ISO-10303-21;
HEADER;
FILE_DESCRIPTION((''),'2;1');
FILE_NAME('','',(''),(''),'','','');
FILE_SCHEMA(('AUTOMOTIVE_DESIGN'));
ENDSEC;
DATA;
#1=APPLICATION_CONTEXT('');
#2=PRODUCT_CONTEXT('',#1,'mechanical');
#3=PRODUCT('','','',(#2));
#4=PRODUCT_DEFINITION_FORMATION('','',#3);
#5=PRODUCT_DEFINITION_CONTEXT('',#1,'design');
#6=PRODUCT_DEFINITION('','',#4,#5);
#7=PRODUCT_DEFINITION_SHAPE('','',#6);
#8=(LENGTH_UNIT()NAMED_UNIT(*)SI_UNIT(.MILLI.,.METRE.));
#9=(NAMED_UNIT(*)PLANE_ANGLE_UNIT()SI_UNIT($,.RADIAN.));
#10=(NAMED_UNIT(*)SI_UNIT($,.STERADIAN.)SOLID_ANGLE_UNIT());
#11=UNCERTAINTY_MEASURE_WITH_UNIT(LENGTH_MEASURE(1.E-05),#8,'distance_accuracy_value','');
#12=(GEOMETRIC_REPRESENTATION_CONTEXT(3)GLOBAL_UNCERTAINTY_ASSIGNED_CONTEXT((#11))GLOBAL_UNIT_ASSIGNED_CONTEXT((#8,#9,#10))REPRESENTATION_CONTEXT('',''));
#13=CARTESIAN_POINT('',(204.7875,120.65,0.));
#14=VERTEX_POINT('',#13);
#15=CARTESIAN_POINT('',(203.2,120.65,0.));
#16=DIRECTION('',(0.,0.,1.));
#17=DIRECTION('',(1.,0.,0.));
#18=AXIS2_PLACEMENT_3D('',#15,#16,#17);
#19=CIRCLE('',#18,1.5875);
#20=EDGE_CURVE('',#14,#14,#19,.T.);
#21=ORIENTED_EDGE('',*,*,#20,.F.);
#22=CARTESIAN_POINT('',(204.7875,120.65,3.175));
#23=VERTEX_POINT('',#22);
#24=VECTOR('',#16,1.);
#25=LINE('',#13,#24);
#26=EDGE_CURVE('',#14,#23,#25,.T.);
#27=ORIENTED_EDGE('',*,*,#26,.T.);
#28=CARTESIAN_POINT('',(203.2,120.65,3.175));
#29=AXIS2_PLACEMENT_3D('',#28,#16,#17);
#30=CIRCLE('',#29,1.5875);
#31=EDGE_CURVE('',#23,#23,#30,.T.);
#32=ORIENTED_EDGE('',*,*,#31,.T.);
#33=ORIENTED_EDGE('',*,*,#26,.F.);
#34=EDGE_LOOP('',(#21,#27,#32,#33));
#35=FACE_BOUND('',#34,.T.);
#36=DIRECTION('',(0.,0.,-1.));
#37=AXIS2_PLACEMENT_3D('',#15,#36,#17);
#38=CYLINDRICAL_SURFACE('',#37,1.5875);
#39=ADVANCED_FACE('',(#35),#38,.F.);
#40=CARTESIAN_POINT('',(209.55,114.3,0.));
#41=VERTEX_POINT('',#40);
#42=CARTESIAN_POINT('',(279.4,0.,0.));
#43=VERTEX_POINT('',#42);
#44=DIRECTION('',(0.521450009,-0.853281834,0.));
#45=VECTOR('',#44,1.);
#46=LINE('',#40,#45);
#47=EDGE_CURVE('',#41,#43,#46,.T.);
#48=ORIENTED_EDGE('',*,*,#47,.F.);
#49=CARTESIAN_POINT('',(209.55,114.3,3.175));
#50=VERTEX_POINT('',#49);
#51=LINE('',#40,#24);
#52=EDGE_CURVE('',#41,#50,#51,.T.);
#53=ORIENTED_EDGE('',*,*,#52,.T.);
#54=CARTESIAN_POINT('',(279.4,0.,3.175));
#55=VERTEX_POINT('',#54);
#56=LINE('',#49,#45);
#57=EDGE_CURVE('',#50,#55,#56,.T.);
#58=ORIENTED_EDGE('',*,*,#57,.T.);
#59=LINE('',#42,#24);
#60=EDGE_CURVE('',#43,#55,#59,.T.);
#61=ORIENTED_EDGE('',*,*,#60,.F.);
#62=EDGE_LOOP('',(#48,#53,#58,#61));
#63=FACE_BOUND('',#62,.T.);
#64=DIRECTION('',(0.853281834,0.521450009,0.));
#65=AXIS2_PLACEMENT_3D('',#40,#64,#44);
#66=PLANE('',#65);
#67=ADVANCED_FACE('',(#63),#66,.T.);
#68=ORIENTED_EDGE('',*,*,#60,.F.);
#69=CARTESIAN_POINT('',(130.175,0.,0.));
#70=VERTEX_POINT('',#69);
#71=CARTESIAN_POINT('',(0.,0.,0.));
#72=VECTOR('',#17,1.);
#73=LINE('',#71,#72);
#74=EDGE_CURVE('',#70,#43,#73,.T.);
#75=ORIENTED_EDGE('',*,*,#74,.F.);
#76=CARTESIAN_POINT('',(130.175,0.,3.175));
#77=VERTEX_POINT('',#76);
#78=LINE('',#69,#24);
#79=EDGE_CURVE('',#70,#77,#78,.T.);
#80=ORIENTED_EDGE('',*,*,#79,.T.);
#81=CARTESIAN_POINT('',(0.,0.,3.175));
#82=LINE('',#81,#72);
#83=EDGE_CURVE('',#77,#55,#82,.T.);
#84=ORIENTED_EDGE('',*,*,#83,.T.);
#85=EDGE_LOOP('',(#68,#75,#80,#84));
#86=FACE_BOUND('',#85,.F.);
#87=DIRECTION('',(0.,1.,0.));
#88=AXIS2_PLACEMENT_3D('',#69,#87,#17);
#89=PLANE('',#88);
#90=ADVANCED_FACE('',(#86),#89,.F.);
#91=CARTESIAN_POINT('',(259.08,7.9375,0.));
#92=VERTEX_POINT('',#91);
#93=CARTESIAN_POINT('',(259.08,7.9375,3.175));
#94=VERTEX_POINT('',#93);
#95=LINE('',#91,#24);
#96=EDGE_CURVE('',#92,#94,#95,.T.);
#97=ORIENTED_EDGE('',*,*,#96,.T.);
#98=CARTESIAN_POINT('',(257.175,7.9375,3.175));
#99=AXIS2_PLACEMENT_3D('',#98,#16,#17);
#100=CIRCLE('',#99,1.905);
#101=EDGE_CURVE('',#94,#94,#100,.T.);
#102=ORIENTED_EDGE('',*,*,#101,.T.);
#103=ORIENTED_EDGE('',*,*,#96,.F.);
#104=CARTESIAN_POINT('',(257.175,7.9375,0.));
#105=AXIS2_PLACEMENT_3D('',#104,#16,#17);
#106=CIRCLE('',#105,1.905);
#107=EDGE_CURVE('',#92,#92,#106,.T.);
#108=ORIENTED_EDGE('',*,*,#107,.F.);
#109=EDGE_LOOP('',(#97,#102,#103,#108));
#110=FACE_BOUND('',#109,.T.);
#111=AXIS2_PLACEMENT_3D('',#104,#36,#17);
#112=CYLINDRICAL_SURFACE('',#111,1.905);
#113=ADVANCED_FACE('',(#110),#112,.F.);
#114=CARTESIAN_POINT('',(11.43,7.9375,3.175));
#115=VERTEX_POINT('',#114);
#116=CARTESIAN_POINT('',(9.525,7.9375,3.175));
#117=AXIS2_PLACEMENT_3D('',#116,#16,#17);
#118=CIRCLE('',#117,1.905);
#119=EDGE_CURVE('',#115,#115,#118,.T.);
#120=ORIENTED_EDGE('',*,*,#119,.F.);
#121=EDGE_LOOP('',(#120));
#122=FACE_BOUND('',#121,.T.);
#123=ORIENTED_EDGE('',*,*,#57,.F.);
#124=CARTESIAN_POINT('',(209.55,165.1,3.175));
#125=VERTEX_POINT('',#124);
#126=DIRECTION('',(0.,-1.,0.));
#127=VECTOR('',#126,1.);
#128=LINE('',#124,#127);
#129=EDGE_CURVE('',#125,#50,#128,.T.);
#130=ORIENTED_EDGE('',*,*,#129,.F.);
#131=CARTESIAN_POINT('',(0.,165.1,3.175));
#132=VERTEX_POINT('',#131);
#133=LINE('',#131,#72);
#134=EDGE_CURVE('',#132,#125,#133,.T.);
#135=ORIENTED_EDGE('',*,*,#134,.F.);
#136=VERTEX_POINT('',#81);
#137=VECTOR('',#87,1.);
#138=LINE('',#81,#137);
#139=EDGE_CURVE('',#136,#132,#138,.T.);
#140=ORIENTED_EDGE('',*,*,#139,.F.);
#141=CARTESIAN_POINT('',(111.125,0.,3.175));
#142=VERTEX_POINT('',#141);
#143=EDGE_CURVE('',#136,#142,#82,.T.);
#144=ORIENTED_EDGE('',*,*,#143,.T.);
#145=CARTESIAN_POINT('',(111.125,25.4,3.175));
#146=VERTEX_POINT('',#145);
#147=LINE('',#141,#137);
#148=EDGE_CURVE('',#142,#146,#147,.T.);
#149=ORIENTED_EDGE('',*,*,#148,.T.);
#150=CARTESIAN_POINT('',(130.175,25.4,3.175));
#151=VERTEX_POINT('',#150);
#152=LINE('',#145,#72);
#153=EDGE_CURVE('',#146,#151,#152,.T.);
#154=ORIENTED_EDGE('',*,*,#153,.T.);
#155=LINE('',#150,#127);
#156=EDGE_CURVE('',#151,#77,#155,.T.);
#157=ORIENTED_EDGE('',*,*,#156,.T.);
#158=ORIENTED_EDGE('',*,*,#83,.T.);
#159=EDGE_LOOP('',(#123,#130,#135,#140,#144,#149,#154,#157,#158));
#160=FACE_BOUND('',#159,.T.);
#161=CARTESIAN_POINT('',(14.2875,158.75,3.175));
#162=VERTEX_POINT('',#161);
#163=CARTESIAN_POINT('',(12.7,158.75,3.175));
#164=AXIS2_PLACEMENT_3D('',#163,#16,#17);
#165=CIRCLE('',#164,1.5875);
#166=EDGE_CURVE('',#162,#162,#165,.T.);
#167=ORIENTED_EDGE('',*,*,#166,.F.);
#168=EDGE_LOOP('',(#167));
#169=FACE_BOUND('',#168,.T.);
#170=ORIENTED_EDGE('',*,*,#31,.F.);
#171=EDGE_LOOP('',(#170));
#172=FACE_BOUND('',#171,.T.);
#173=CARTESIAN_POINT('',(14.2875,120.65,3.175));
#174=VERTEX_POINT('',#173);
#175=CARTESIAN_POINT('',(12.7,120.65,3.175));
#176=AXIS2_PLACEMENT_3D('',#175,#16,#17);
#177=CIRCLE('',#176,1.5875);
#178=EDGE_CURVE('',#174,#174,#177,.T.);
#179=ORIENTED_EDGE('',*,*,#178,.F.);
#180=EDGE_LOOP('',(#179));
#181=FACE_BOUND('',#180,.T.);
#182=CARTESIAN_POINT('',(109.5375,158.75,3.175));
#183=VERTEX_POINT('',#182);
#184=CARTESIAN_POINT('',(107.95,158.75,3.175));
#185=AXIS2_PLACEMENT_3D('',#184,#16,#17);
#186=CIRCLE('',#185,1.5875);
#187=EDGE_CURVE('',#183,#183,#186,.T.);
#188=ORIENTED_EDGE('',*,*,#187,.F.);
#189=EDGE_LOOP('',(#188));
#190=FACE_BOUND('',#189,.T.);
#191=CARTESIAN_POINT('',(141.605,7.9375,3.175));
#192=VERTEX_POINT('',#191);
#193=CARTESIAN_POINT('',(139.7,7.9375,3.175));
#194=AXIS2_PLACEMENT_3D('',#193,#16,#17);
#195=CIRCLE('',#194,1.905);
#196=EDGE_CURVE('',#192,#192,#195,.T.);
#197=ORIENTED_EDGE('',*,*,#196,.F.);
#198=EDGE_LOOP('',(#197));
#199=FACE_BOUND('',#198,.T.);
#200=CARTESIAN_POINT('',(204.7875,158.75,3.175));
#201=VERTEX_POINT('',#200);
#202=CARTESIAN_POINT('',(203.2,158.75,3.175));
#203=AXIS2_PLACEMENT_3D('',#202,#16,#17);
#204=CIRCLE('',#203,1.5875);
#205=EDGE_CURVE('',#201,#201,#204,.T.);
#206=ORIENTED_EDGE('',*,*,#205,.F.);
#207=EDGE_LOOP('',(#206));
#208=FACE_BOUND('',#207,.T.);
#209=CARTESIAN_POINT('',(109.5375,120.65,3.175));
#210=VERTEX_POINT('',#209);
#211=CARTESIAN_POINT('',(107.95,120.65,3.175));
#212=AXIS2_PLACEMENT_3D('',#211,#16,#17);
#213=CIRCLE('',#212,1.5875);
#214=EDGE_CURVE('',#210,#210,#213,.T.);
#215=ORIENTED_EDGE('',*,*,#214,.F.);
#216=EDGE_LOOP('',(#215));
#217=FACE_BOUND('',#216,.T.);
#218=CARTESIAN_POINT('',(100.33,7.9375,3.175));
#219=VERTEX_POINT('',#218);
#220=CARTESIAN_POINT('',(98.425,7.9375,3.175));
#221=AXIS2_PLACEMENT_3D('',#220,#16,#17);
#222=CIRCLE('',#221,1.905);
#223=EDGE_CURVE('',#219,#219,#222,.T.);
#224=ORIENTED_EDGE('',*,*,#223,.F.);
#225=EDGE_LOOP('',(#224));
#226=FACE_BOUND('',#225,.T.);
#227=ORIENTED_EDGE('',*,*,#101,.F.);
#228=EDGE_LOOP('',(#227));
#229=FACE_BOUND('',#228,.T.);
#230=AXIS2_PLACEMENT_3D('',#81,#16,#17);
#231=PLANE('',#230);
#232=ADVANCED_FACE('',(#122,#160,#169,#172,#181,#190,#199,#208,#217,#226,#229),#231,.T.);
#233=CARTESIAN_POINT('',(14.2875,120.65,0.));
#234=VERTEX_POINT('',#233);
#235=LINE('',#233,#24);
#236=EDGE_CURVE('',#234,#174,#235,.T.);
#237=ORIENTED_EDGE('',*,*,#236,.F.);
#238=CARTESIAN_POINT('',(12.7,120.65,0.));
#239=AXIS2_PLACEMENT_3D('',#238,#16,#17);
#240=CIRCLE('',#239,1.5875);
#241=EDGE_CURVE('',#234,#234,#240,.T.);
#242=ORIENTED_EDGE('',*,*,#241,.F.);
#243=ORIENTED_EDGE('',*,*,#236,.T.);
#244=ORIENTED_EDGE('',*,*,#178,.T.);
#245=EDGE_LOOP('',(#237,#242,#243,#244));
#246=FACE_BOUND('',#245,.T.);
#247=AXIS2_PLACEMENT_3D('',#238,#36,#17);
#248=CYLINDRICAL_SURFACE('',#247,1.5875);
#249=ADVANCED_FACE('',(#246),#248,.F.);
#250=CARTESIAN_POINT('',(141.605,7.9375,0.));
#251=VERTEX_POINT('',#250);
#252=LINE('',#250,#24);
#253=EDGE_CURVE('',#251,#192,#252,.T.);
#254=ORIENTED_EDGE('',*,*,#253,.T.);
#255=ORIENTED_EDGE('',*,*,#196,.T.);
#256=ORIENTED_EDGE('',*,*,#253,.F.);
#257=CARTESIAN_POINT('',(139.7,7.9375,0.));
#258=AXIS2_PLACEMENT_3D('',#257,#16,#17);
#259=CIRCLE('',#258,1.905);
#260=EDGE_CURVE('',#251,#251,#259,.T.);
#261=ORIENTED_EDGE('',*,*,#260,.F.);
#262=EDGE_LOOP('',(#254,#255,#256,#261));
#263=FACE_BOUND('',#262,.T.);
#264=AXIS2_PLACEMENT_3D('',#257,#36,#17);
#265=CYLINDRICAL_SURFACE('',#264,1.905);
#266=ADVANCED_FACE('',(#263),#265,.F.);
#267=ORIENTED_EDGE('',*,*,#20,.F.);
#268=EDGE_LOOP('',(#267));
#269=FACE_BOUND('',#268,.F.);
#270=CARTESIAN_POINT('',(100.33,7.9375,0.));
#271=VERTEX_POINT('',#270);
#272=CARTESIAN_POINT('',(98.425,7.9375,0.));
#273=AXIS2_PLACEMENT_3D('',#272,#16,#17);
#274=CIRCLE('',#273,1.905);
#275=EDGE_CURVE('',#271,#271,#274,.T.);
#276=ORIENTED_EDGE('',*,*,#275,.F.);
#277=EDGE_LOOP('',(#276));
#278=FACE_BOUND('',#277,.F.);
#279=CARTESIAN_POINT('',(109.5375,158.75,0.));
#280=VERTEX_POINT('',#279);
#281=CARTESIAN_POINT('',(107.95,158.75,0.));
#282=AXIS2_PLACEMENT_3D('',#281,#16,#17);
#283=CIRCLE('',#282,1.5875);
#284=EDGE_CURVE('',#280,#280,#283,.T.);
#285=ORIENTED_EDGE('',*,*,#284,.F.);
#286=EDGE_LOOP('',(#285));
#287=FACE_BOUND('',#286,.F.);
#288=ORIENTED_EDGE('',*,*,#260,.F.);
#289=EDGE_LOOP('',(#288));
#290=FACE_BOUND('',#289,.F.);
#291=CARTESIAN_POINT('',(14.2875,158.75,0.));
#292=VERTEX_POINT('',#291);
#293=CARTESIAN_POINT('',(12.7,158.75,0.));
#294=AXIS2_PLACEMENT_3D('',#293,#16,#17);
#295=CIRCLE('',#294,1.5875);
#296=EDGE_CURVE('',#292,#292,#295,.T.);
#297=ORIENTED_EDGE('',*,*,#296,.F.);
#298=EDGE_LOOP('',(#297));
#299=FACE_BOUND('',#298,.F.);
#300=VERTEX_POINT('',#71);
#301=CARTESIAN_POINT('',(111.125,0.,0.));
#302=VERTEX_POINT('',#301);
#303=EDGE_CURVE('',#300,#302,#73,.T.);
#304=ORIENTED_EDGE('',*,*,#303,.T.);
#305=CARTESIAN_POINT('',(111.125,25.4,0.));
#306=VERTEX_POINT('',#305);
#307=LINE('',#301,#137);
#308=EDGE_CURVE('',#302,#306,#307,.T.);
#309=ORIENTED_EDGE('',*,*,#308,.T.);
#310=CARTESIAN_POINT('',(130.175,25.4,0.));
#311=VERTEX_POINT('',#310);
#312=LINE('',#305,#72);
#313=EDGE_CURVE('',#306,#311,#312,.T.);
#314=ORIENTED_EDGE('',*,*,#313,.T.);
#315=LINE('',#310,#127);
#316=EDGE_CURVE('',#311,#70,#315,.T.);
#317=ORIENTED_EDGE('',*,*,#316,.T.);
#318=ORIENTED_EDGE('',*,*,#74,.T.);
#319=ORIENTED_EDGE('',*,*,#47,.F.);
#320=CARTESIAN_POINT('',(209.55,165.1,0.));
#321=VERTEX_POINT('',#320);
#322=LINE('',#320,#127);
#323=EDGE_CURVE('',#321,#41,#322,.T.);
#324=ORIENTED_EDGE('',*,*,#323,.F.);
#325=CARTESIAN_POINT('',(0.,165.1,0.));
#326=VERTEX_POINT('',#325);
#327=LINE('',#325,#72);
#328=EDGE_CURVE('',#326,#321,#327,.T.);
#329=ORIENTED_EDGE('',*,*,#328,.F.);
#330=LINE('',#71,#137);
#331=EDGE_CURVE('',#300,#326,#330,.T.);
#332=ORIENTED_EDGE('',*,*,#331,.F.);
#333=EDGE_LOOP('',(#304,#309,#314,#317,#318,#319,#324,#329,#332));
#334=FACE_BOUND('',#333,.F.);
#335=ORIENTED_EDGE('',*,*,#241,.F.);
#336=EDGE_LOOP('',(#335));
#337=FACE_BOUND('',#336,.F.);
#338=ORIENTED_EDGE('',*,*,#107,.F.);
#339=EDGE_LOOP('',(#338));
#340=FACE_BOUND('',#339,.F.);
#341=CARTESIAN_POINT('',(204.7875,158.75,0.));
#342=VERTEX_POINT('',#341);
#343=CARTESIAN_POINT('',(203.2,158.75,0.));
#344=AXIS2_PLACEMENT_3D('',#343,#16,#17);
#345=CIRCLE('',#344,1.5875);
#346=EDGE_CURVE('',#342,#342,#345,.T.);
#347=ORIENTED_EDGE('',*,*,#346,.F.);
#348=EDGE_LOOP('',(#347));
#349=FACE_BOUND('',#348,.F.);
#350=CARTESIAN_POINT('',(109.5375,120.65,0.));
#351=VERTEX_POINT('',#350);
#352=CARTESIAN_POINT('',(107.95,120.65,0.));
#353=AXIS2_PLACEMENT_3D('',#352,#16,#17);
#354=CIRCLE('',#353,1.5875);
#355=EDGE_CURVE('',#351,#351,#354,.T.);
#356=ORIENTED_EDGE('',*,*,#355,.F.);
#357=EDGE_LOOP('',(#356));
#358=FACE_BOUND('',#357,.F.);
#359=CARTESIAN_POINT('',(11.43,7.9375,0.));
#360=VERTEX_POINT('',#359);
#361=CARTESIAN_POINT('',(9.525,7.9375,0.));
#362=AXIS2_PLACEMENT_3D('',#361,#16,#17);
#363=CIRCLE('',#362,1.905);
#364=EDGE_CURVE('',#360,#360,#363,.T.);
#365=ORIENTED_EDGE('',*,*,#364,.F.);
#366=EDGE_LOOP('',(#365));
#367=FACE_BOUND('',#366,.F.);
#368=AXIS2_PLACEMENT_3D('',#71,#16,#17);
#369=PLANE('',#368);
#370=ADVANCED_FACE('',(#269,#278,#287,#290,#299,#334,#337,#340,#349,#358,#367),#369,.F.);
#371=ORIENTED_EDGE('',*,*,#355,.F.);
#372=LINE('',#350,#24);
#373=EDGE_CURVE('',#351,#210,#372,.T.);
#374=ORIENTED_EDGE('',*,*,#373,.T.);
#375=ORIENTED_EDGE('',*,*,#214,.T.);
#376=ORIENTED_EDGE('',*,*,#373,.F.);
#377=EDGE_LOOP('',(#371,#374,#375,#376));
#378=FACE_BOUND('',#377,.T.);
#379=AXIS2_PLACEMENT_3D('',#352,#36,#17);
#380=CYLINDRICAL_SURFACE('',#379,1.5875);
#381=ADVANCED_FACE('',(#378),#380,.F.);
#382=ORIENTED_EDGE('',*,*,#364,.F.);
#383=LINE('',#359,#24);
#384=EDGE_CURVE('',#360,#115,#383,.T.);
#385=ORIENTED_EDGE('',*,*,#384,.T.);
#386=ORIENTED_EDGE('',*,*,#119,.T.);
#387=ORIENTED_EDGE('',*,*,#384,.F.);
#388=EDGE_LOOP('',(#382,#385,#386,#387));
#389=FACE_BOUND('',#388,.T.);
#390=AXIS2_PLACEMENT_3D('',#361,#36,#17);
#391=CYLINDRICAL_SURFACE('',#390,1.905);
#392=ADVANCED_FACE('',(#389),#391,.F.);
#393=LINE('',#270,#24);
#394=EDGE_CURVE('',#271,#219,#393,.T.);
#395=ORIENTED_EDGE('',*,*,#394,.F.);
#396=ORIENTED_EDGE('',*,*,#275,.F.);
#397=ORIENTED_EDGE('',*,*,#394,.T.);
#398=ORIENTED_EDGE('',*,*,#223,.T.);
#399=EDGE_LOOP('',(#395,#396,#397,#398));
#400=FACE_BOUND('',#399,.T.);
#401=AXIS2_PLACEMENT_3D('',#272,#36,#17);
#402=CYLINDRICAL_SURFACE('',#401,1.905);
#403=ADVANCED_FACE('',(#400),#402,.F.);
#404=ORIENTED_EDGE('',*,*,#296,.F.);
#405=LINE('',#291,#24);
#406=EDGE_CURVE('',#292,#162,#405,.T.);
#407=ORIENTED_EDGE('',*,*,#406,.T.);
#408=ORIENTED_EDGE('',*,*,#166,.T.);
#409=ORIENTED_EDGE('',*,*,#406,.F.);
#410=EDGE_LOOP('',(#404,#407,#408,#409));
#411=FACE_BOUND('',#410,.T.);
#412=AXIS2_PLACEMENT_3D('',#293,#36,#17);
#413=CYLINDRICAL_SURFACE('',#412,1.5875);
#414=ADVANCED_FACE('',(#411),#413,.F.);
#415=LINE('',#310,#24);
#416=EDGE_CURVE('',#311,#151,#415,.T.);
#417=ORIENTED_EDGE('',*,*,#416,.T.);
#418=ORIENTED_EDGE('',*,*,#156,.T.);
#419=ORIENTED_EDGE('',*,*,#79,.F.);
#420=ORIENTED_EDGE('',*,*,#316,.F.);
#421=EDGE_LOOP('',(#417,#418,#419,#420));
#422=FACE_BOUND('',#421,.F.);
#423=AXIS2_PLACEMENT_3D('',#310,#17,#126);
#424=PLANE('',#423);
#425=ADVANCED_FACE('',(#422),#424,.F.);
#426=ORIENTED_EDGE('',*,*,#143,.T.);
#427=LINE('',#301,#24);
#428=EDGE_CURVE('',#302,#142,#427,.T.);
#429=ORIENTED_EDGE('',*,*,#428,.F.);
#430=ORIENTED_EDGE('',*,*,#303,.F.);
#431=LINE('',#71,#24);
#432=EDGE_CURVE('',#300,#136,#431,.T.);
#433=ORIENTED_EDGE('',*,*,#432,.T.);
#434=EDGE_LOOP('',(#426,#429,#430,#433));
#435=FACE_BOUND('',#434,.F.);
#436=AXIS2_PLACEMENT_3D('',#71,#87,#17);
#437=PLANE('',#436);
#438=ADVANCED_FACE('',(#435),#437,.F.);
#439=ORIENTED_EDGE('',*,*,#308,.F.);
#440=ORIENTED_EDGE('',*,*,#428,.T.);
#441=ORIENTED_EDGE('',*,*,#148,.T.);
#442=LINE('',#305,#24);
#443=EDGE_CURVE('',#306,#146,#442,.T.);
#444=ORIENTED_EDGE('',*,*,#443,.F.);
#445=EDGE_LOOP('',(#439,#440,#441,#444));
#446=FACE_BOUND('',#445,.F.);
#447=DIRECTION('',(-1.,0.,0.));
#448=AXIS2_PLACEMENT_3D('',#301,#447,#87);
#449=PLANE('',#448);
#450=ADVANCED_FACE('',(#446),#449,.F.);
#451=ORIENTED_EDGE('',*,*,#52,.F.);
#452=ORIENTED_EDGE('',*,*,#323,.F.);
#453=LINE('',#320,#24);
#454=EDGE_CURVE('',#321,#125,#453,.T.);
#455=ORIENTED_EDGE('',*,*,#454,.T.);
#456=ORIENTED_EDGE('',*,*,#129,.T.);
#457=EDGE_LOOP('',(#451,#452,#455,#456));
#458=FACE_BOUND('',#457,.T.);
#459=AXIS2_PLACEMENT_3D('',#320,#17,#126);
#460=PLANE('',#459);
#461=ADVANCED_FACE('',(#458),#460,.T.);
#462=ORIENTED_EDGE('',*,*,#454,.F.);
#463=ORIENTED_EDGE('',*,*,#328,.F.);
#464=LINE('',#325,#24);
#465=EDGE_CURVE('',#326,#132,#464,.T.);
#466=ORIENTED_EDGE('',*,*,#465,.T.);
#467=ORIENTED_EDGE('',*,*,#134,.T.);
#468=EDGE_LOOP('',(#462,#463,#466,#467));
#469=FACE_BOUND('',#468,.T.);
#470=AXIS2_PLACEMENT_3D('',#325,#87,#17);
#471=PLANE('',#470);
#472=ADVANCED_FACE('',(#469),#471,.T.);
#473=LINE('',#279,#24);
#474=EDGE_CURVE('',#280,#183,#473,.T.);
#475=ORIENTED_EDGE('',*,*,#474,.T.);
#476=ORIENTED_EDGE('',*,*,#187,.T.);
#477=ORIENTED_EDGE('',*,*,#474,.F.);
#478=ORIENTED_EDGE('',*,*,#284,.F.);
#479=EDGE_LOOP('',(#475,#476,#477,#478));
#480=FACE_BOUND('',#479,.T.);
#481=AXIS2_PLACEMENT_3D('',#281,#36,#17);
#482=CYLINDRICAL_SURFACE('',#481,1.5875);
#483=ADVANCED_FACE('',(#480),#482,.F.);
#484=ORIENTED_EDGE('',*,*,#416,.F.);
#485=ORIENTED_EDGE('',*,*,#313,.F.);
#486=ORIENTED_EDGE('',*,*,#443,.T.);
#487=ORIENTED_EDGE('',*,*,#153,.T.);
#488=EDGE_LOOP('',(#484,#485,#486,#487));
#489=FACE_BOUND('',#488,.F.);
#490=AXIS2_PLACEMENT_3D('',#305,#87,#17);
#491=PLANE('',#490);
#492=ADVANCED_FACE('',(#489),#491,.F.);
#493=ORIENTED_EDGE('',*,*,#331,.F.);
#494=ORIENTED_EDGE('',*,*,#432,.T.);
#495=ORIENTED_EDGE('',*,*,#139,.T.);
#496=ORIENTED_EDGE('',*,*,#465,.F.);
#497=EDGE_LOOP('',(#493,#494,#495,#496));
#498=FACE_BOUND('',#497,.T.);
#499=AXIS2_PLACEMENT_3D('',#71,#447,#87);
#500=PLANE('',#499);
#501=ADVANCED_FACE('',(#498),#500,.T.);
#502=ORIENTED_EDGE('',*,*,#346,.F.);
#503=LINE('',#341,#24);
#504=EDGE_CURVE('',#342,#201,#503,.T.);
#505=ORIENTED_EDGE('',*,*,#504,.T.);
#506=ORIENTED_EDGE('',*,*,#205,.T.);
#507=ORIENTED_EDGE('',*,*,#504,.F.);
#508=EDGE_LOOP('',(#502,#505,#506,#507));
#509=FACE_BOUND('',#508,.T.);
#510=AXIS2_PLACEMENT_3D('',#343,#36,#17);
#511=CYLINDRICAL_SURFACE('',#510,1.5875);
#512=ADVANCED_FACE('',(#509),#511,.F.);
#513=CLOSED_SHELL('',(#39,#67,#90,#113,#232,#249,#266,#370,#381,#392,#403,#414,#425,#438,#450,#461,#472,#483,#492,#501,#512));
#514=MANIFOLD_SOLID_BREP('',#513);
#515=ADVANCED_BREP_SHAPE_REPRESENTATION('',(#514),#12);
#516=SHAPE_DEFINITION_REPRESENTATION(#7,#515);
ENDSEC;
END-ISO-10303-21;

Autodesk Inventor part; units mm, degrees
ref_plane "YZ Plane" through (0, 0, 0) normal (1, 0, 0) x (0, 1, 0)
ref_plane "XZ Plane" through (0, 0, 0) normal (0, 1, 0) x (-1, 0, 0)
ref_plane "XY Plane" through (0, 0, 0) normal (0, 0, 1) x (1, 0, 0)
sketch "Sketch1" plane through (0, 0, 0) normal (0, 0, 1) x (1, 0, 0)
  line L0 (0, 0) -> (279.4, 0)
  line L1 (0, 0) -> (0, 165.1)
  line L2 (0, 165.1) -> (209.55, 165.1)
  line L3 (209.55, 165.1) -> (209.55, 114.3)
  line L4 (209.55, 114.3) -> (279.4, 0)
  circle A0 centre (9.525, 7.9375) radius 1.905 projected
  circle A1 centre (98.425, 7.9375) radius 1.905 projected
  line L5 (111.125, 0) -> (111.125, 25.4)
  line L6 (111.125, 25.4) -> (130.175, 25.4)
  line L7 (130.175, 25.4) -> (130.175, 0)
  circle A2 centre (12.7, 158.75) radius 1.5875
  circle A3 centre (107.95, 158.75) radius 1.5875
  circle A4 centre (203.2, 158.75) radius 1.5875
  circle A5 centre (12.7, 120.65) radius 1.5875
  circle A6 centre (107.95, 120.65) radius 1.5875
  circle A7 centre (203.2, 120.65) radius 1.5875
  circle A8 centre (139.7, 7.9375) radius 1.905 projected
  circle A9 centre (257.175, 7.9375) radius 1.905 projected
  line L8 (133.35, 0) -> (133.35, 15.875) construction
  line L9 (133.35, 0) -> (266.7, 0) construction
  line L10 (266.7, 15.875) -> (266.7, 0) construction
  line L11 (133.35, 15.875) -> (266.7, 15.875) construction
  dimension "d0" = 279.4
  dimension "d1" = 165.1
  dimension "d2" = 209.55
  dimension "d3" = 50.8
  dimension "d6" = 19.05
  dimension "d7" = 25.4
  dimension "d8" = 12.7
  dimension "d9" = 3.175
  dimension "d12" = 95.25
  dimension "d15" = 38.1
  dimension "d18" = 12.7
  dimension "d19" = 6.35
extrude "Extrusion1" add sketch "Sketch1" along normal blind 3.175 contours L1 L2 L3 L4 L0 L7 L6 L5
properties part number "Hopper Left Side Leg" material "Polycarbonate, Clear"
